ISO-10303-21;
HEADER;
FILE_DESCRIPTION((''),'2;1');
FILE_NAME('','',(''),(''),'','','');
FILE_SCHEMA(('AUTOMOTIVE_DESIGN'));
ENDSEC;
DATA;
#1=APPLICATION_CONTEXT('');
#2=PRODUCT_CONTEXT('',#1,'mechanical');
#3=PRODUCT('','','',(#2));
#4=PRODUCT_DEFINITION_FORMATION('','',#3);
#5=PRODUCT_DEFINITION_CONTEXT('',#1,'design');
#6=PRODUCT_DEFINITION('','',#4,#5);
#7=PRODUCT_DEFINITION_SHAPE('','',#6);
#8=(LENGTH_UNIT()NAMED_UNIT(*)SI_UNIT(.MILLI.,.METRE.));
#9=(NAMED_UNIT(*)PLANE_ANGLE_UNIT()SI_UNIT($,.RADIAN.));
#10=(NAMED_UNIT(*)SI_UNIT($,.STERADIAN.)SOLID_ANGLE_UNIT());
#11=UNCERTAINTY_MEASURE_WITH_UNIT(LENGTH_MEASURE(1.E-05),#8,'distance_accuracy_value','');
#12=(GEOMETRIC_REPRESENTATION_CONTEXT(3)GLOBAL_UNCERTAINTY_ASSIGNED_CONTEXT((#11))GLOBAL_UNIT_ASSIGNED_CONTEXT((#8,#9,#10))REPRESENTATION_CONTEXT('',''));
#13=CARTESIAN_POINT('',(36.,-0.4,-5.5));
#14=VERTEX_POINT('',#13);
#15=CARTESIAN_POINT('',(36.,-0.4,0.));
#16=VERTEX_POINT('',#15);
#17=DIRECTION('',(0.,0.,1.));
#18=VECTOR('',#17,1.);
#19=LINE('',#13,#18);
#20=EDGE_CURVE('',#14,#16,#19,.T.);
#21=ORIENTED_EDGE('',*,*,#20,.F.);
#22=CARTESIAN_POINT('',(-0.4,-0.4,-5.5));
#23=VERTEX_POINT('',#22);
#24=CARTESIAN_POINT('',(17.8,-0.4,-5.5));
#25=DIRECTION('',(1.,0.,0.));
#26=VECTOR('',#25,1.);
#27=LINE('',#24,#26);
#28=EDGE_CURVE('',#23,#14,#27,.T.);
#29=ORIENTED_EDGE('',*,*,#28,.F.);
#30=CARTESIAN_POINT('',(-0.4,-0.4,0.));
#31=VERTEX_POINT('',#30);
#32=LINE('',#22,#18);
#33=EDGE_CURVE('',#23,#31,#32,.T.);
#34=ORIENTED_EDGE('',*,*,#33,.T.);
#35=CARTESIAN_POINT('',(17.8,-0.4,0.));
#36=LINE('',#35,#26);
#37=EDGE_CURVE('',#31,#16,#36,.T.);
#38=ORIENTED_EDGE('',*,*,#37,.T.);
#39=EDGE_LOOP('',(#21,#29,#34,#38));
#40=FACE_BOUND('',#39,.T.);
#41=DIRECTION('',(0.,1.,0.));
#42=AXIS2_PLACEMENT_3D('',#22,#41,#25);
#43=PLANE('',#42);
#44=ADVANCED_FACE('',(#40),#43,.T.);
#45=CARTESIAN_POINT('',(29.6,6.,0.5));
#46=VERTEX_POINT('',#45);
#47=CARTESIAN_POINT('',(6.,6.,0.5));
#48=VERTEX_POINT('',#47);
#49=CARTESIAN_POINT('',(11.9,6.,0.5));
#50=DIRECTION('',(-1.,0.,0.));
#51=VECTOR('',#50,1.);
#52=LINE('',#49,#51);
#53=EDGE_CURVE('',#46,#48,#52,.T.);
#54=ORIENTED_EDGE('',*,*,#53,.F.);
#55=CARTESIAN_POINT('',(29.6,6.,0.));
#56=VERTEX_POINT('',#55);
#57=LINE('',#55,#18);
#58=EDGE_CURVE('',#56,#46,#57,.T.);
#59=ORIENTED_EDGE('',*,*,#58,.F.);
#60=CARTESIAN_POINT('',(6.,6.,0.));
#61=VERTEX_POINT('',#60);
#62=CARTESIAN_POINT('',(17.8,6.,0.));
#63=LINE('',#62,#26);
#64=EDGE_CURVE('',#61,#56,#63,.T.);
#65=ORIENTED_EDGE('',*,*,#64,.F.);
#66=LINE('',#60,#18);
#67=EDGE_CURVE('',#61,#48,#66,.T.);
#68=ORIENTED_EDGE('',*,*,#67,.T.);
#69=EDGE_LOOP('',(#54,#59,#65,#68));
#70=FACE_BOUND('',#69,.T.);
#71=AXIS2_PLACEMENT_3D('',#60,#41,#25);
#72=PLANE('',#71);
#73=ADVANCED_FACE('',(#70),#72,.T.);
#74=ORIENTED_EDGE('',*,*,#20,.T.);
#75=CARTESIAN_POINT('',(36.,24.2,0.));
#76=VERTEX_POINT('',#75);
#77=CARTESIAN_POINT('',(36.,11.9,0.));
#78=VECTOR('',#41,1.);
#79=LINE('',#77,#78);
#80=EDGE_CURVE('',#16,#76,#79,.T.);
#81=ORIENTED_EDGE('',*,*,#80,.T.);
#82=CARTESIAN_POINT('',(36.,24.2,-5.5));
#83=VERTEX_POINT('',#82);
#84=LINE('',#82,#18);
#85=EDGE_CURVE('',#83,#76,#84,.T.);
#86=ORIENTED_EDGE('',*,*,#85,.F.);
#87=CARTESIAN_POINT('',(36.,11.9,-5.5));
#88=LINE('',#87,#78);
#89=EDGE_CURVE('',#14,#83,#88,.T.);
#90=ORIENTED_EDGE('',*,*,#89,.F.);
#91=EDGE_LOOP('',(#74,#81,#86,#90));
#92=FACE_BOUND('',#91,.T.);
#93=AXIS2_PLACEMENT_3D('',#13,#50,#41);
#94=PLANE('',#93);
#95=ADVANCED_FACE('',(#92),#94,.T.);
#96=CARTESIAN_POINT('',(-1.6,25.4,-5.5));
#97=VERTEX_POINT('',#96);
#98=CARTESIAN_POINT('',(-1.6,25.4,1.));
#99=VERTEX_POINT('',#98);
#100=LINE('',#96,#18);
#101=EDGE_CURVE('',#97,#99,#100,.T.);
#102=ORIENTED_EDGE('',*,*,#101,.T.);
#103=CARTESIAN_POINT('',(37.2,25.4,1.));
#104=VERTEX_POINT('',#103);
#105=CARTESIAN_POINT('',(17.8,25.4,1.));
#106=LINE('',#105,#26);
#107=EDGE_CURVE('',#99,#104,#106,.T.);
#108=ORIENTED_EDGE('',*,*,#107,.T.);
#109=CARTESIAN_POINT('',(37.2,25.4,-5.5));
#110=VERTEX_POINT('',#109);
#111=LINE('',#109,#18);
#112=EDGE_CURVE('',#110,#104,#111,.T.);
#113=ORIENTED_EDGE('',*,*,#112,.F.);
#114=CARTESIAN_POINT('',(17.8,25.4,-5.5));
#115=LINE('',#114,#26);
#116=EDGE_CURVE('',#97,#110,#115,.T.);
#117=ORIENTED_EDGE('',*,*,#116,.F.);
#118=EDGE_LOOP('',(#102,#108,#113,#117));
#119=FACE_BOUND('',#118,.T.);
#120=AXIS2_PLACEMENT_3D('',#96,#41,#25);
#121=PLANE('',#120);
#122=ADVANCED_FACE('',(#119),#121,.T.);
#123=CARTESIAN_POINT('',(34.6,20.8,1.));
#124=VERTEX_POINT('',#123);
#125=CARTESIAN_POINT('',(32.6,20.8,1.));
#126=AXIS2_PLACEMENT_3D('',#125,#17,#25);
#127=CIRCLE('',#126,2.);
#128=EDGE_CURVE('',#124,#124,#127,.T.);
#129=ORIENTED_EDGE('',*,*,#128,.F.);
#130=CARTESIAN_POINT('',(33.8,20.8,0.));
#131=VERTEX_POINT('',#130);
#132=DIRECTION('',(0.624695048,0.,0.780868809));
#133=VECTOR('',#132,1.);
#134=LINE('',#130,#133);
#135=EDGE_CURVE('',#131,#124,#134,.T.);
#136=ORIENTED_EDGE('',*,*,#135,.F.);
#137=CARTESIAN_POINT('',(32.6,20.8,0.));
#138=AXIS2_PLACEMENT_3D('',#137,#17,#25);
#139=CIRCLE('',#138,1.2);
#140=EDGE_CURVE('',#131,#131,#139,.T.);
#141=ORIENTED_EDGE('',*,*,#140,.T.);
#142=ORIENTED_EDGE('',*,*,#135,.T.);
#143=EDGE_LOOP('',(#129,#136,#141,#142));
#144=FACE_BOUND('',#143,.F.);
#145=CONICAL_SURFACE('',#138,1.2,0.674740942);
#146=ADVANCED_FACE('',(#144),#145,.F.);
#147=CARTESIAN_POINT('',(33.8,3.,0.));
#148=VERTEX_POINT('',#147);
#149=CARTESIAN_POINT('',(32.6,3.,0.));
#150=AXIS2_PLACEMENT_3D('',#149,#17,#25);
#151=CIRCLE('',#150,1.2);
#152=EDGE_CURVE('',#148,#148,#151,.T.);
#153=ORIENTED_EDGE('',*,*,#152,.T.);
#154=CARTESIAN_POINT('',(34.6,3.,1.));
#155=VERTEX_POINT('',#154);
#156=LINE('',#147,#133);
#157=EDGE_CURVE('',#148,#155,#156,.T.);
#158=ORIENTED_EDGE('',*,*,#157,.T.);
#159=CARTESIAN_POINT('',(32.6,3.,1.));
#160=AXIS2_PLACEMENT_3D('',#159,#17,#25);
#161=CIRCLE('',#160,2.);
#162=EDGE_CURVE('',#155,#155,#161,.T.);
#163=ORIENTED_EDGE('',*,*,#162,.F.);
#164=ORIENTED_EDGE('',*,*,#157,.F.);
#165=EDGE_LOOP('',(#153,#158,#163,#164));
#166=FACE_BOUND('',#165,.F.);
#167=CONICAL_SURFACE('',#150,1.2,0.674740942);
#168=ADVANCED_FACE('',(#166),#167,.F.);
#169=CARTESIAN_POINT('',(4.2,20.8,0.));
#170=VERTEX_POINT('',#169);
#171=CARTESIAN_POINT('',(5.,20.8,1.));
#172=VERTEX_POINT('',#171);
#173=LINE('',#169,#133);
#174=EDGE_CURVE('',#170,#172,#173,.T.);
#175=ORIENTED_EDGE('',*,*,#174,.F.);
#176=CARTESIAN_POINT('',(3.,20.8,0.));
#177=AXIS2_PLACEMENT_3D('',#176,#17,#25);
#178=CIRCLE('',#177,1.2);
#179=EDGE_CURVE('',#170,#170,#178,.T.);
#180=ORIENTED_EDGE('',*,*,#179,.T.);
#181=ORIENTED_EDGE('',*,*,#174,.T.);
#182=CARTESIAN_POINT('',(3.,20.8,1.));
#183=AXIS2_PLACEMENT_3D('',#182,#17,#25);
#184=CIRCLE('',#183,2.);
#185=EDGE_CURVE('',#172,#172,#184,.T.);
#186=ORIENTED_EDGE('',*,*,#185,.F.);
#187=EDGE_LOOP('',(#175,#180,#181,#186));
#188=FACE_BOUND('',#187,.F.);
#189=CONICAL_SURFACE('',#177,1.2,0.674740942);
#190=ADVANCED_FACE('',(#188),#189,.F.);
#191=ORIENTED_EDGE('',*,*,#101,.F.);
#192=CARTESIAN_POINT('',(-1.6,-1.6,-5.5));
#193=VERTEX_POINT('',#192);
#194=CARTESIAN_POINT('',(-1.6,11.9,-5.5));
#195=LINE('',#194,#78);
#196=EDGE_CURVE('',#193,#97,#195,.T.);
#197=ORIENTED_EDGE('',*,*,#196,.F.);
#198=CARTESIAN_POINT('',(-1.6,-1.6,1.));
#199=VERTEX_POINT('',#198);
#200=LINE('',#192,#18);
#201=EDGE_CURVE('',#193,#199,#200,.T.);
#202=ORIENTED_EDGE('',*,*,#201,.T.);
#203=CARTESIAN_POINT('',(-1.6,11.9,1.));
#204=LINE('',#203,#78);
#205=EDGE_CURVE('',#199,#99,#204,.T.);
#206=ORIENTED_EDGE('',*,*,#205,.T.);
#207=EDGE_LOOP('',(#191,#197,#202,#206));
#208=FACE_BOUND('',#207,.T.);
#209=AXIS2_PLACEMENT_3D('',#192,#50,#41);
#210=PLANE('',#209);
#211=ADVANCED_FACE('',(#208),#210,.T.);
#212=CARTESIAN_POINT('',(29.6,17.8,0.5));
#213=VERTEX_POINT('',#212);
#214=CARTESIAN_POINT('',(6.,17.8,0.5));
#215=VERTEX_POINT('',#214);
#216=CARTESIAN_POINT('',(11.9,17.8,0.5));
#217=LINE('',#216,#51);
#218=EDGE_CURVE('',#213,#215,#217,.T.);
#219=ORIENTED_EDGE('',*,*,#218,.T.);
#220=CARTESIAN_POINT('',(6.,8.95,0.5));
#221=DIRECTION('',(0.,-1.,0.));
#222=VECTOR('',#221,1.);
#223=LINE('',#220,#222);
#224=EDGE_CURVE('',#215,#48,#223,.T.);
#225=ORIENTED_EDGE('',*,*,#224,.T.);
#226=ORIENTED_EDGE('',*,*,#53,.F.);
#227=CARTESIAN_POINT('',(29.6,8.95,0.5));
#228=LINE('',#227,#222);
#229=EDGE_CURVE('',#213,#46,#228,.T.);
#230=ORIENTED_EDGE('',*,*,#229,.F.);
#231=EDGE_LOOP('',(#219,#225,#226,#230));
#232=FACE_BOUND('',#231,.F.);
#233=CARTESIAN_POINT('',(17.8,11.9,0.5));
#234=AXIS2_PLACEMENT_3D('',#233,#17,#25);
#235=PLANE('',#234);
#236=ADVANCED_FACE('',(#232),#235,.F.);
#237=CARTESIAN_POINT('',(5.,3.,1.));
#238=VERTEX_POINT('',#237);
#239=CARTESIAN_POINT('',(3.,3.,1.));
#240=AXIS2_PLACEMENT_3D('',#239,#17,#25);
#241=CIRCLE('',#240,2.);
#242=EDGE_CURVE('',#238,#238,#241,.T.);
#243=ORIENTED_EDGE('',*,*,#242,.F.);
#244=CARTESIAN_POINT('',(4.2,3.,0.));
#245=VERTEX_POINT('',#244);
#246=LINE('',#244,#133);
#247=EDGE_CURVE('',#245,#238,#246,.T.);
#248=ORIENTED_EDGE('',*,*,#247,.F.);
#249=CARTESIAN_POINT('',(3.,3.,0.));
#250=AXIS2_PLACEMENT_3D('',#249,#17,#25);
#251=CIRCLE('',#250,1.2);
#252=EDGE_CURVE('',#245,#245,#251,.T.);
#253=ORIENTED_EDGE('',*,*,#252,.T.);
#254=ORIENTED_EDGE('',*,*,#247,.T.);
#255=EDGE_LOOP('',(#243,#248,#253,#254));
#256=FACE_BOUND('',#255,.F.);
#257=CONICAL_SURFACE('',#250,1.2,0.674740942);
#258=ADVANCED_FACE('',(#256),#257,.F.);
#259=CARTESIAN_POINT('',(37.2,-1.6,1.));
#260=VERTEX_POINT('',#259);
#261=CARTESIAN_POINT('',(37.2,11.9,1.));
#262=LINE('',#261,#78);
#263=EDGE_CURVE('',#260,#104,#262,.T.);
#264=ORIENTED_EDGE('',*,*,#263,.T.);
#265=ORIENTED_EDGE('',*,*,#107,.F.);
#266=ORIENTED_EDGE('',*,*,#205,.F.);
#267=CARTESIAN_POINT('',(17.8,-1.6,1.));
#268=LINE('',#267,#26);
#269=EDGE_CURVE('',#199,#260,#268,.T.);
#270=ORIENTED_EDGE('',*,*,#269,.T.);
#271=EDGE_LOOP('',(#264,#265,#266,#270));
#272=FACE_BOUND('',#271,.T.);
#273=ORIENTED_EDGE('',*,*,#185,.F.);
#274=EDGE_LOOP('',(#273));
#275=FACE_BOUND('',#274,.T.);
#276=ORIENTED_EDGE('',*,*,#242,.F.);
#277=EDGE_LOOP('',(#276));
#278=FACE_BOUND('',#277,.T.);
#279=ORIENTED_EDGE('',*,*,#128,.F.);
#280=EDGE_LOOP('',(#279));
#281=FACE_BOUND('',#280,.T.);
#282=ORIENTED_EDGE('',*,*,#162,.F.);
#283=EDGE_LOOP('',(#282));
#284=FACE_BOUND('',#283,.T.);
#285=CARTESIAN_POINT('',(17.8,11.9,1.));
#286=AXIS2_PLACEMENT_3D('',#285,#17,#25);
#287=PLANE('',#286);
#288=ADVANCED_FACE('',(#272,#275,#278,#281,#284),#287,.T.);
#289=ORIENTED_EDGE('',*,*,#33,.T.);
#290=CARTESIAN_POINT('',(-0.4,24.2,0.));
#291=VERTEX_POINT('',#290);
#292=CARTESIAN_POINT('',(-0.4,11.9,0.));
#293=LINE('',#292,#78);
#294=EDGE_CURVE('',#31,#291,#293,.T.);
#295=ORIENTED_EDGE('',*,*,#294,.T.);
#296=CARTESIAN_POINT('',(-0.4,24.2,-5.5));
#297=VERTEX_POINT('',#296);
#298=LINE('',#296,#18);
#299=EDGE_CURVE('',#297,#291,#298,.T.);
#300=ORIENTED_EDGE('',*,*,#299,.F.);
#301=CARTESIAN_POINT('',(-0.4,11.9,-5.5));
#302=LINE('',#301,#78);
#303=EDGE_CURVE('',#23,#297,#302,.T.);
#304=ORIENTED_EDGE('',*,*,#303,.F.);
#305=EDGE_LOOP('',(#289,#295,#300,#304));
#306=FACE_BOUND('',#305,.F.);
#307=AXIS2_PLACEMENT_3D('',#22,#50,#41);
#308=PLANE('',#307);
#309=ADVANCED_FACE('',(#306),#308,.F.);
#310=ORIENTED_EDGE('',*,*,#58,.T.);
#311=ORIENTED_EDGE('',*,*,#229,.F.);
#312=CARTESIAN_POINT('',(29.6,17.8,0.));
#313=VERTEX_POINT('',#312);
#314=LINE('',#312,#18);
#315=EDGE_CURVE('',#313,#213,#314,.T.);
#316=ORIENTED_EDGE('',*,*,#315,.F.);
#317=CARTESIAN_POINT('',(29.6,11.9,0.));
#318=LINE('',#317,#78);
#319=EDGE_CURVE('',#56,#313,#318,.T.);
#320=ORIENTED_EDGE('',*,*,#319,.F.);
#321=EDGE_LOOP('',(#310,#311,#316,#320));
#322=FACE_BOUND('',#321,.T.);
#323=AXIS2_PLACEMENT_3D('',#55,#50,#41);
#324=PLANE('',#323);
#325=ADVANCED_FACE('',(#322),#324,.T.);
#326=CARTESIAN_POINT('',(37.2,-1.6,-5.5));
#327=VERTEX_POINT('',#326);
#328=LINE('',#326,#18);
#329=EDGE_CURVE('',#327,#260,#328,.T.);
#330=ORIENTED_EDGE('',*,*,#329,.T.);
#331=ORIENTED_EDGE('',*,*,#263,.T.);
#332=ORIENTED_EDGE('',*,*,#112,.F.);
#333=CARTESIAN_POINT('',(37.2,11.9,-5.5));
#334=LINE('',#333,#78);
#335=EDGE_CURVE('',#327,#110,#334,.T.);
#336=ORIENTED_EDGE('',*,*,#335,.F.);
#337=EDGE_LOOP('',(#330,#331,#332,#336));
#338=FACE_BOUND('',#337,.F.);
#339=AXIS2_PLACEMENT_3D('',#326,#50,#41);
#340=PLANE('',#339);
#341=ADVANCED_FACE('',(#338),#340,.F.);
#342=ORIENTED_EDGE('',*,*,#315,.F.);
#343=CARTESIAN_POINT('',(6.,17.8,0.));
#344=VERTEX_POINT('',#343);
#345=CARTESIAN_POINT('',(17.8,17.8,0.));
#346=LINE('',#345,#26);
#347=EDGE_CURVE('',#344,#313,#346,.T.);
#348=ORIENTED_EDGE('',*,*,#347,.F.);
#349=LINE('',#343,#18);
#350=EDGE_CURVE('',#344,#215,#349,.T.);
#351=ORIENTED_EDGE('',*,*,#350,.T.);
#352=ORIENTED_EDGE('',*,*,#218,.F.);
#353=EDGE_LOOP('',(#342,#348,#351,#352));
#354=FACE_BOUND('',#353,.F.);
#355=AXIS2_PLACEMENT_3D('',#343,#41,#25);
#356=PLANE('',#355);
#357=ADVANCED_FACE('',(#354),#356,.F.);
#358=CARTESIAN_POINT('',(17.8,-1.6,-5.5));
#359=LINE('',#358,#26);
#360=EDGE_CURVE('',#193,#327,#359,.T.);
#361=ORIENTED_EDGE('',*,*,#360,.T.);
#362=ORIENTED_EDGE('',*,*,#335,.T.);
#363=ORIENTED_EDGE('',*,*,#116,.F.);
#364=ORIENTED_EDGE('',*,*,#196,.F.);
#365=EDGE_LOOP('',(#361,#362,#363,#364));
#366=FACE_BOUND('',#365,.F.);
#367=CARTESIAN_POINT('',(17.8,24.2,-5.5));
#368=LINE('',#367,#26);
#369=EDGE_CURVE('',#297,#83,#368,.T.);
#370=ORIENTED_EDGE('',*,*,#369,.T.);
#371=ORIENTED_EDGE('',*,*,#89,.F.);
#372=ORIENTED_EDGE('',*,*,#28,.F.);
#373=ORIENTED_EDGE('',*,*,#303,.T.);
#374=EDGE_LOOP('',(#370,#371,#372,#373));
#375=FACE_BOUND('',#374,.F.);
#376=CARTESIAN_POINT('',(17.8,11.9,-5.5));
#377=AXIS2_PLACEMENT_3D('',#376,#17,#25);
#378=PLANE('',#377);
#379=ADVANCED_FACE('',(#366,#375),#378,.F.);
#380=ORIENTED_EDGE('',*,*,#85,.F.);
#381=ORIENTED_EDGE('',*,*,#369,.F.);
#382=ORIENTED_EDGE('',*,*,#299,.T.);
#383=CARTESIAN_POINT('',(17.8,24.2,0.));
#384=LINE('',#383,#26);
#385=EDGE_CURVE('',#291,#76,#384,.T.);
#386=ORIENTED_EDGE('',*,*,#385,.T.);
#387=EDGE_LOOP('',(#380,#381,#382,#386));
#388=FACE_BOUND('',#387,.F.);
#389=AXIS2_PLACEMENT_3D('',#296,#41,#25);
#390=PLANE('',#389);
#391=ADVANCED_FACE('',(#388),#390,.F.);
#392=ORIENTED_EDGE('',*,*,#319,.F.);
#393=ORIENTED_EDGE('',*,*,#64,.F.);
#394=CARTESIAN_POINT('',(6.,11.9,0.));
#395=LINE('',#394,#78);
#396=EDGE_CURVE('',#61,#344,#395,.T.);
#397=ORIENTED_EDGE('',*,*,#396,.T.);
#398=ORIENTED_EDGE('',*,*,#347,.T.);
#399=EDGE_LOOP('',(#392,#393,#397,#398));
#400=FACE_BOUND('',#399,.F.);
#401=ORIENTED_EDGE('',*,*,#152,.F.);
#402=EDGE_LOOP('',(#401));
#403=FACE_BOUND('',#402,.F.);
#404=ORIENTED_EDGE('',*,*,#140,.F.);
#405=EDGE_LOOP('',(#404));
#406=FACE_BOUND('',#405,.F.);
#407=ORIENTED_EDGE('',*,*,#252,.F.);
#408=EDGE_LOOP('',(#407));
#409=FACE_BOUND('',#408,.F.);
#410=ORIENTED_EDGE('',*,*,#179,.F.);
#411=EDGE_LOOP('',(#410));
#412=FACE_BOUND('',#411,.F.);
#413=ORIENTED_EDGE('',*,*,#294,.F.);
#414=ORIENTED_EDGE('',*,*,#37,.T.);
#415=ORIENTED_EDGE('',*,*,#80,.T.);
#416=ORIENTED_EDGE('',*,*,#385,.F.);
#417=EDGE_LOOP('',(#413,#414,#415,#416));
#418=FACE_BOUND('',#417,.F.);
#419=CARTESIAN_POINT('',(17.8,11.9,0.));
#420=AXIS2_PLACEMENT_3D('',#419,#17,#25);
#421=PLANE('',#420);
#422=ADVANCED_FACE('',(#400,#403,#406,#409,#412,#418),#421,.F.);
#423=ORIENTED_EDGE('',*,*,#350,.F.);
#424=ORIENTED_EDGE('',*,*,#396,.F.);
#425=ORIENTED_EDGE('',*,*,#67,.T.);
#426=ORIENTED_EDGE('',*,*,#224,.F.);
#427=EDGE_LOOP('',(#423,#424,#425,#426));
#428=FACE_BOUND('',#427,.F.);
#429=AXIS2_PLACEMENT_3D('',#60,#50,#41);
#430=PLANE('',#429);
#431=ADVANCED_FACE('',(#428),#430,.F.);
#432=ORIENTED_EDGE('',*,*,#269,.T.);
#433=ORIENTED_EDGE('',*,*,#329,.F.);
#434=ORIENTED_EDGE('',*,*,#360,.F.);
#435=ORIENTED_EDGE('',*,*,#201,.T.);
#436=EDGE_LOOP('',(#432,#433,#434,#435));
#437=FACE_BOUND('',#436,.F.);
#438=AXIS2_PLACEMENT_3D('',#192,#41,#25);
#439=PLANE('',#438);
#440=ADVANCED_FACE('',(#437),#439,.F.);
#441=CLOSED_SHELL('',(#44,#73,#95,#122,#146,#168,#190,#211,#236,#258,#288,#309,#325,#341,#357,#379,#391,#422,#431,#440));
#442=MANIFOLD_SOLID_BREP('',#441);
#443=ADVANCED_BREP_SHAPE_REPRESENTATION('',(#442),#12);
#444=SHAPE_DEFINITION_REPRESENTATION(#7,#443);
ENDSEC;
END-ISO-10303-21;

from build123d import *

# Parameters (mm, degrees)
BOX009_W          = 36.4
BOX009_H          = 24.6
BOX009_DEPTH      = 6.5
BOX008_W          = 38.8
BOX008_H          = 27
BOX008_DEPTH      = 6.5
CYLINDER008_R     = 1.2
CYLINDER008_DEPTH = 10
ARRAY012_X_COUNT  = 2
ARRAY012_X_PITCH  = 29.6
ARRAY012_Y_COUNT  = 2
ARRAY012_Y_PITCH  = 17.8
BOX011_W          = 4.6
BOX011_H          = 1
BOX011_DEPTH      = 10
CYLINDER004_R     = 1.5
CYLINDER004_DEPTH = 10
CYLINDER005_R     = 2.3
CYLINDER005_DEPTH = 10
ARRAY004_X_COUNT  = 2
ARRAY004_X_PITCH  = 11.8
BOX006_W          = 36.4
BOX006_H          = 24.6
BOX006_DEPTH      = 0.5
CYLINDER_R        = 1.2
CYLINDER_DEPTH    = 10
ARRAY001_X_COUNT  = 2
ARRAY001_X_PITCH  = 29.6
ARRAY001_Y_COUNT  = 2
ARRAY001_Y_PITCH  = 17.8
BOX003_W          = 23.6
BOX003_H          = 11.8
BOX003_DEPTH      = 10
BOX007_W          = 36.4
BOX007_H          = 24.6
BOX007_DEPTH      = 0.5


with BuildPart() as outer_wall_hole_cube:
    # Box009 → Box009 (new body)
    with BuildSketch(Plane(origin=(-0.4, -0.4, 0), x_dir=(1, 0, 0), z_dir=(0, 0, 1))):
        with Locations((18.2, 12.3)):
            Rectangle(BOX009_W, BOX009_H)
    extrude(amount=BOX009_DEPTH)


with BuildPart() as outer_wall_cut:
    # Box008 → Box008 (new body)
    with BuildSketch(Plane(origin=(-1.6, -1.6, 0), x_dir=(1, 0, 0), z_dir=(0, 0, 1))):
        with Locations((19.4, 13.5)):
            Rectangle(BOX008_W, BOX008_H)
    extrude(amount=BOX008_DEPTH)

    # Cut004: cut outer wall hole cube
    add(outer_wall_hole_cube.part, mode=Mode.SUBTRACT)


with BuildPart() as outer_wall_cut_1:
    # Cut004 placement: moved
    add(outer_wall_cut.part.moved(Location((0, 0, -5.5))))


with BuildPart() as bolt_hole003:
    # Cylinder008 → Cylinder008 (new body)
    with BuildSketch(Plane.XY.offset(-10)):
        Circle(CYLINDER008_R)
    extrude(amount=CYLINDER008_DEPTH)


with BuildPart() as bolt_hole_fusion_array:
    # Cone → Cone (revolve)
    with BuildSketch(Plane.XZ):
        Polygon((0, 0), (1.2, 0), (2, 1), (0, 1), align=None)
    revolve(axis=Axis((0, 0, 0), (0, 0, 1)))

    # Fusion011: union bolt hole003
    add(bolt_hole003.part)

    # Array012 X: bolt hole fusion array ×2


with BuildPart() as bolt_hole_fusion_array_1:
    add(bolt_hole_fusion_array.part)
    with Locations(*[(i * ARRAY012_X_PITCH, 0, 0) for i in range(1, ARRAY012_X_COUNT)]):
        add(bolt_hole_fusion_array.part)

    # Array012 Y: bolt hole fusion array ×2


with BuildPart() as bolt_hole_fusion_array_2:
    add(bolt_hole_fusion_array_1.part)
    with Locations(*[(0, i * ARRAY012_Y_PITCH, 0) for i in range(1, ARRAY012_Y_COUNT)]):
        add(bolt_hole_fusion_array_1.part)


with BuildPart() as bolt_hole_fusion_array_3:
    # Array012 placement: moved
    add(bolt_hole_fusion_array_2.part.moved(Location((3, 3, 0))))


with BuildPart() as btn_cross_line:
    # Box011 → Box011 (new body)
    with BuildSketch(Plane(origin=(-2.3, -0.5, 0), x_dir=(1, 0, 0), z_dir=(0, 0, 1))):
        with Locations((2.3, 0.5)):
            Rectangle(BOX011_W, BOX011_H)
    extrude(amount=BOX011_DEPTH)


with BuildPart() as btn_line_center_fusion:
    # Cylinder004 → Cylinder004 (new body)
    with BuildSketch(Plane.XY):
        Circle(CYLINDER004_R)
    extrude(amount=CYLINDER004_DEPTH)

    # Fusion008: union btn cross line
    add(btn_cross_line.part)


with BuildPart() as top_hole_fusion:
    # Cylinder005 → Cylinder005 (new body)
    with BuildSketch(Plane.XY.offset(-9.5)):
        Circle(CYLINDER005_R)
    extrude(amount=CYLINDER005_DEPTH)

    # Cut006: cut btn line center fusion
    add(btn_line_center_fusion.part, mode=Mode.SUBTRACT)

    # Array004 X: top hole fusion ×2


with BuildPart() as top_hole_fusion_1:
    add(top_hole_fusion.part)
    with Locations(*[(i * ARRAY004_X_PITCH, 0, 0) for i in range(1, ARRAY004_X_COUNT)]):
        add(top_hole_fusion.part)


with BuildPart() as top_hole_fusion_2:
    # Array004 placement: moved
    add(top_hole_fusion_1.part.moved(Location((11.9, 11.9, 0))))

    # Fusion004: union bolt hole fusion array
    add(bolt_hole_fusion_array_3.part)


with BuildPart() as thin_top_plate:
    # Box006 → Box006 (new body)
    with BuildSketch(Plane(origin=(-0.4, -0.4, 0.5), x_dir=(1, 0, 0), z_dir=(0, 0, 1))):
        with Locations((18.2, 12.3)):
            Rectangle(BOX006_W, BOX006_H)
    extrude(amount=BOX006_DEPTH)


with BuildPart() as bolt_hole_array_clone:
    # Cylinder → Cylinder (new body)
    with BuildSketch(Plane.XY):
        Circle(CYLINDER_R)
    extrude(amount=CYLINDER_DEPTH)

    # Array001 X: bolt hole array clone ×2


with BuildPart() as bolt_hole_array_clone_1:
    add(bolt_hole_array_clone.part)
    with Locations(*[(i * ARRAY001_X_PITCH, 0, 0) for i in range(1, ARRAY001_X_COUNT)]):
        add(bolt_hole_array_clone.part)

    # Array001 Y: bolt hole array clone ×2


with BuildPart() as bolt_hole_array_clone_2:
    add(bolt_hole_array_clone_1.part)
    with Locations(*[(0, i * ARRAY001_Y_PITCH, 0) for i in range(1, ARRAY001_Y_COUNT)]):
        add(bolt_hole_array_clone_1.part)


with BuildPart() as bolt_hole_array_clone_3:
    # Array001 placement: moved
    add(bolt_hole_array_clone_2.part.moved(Location((3, 3, 0))))


with BuildPart() as mesh_extraction_fusion_clone:
    # Box003 → Box003 (new body)
    with BuildSketch(Plane(origin=(6, 6, 0), x_dir=(1, 0, 0), z_dir=(0, 0, 1))):
        with Locations((11.8, 5.9)):
            Rectangle(BOX003_W, BOX003_H)
    extrude(amount=BOX003_DEPTH)

    # Fusion003: union bolt hole array clone
    add(bolt_hole_array_clone_3.part)


with BuildPart() as top_cover_plate_fusion:
    # Box007 → Box007 (new body)
    with BuildSketch(Plane(origin=(-0.4, -0.4, 0), x_dir=(1, 0, 0), z_dir=(0, 0, 1))):
        with Locations((18.2, 12.3)):
            Rectangle(BOX007_W, BOX007_H)
    extrude(amount=BOX007_DEPTH)

    # Cut003: cut mesh extraction fusion clone
    add(mesh_extraction_fusion_clone.part, mode=Mode.SUBTRACT)

    # Fusion012: union thin top plate
    add(thin_top_plate.part)

    # Cut002: cut top hole fusion
    add(top_hole_fusion_2.part, mode=Mode.SUBTRACT)

    # Fusion005: union outer wall cut
    add(outer_wall_cut_1.part)


solid = top_cover_plate_fusion.part
